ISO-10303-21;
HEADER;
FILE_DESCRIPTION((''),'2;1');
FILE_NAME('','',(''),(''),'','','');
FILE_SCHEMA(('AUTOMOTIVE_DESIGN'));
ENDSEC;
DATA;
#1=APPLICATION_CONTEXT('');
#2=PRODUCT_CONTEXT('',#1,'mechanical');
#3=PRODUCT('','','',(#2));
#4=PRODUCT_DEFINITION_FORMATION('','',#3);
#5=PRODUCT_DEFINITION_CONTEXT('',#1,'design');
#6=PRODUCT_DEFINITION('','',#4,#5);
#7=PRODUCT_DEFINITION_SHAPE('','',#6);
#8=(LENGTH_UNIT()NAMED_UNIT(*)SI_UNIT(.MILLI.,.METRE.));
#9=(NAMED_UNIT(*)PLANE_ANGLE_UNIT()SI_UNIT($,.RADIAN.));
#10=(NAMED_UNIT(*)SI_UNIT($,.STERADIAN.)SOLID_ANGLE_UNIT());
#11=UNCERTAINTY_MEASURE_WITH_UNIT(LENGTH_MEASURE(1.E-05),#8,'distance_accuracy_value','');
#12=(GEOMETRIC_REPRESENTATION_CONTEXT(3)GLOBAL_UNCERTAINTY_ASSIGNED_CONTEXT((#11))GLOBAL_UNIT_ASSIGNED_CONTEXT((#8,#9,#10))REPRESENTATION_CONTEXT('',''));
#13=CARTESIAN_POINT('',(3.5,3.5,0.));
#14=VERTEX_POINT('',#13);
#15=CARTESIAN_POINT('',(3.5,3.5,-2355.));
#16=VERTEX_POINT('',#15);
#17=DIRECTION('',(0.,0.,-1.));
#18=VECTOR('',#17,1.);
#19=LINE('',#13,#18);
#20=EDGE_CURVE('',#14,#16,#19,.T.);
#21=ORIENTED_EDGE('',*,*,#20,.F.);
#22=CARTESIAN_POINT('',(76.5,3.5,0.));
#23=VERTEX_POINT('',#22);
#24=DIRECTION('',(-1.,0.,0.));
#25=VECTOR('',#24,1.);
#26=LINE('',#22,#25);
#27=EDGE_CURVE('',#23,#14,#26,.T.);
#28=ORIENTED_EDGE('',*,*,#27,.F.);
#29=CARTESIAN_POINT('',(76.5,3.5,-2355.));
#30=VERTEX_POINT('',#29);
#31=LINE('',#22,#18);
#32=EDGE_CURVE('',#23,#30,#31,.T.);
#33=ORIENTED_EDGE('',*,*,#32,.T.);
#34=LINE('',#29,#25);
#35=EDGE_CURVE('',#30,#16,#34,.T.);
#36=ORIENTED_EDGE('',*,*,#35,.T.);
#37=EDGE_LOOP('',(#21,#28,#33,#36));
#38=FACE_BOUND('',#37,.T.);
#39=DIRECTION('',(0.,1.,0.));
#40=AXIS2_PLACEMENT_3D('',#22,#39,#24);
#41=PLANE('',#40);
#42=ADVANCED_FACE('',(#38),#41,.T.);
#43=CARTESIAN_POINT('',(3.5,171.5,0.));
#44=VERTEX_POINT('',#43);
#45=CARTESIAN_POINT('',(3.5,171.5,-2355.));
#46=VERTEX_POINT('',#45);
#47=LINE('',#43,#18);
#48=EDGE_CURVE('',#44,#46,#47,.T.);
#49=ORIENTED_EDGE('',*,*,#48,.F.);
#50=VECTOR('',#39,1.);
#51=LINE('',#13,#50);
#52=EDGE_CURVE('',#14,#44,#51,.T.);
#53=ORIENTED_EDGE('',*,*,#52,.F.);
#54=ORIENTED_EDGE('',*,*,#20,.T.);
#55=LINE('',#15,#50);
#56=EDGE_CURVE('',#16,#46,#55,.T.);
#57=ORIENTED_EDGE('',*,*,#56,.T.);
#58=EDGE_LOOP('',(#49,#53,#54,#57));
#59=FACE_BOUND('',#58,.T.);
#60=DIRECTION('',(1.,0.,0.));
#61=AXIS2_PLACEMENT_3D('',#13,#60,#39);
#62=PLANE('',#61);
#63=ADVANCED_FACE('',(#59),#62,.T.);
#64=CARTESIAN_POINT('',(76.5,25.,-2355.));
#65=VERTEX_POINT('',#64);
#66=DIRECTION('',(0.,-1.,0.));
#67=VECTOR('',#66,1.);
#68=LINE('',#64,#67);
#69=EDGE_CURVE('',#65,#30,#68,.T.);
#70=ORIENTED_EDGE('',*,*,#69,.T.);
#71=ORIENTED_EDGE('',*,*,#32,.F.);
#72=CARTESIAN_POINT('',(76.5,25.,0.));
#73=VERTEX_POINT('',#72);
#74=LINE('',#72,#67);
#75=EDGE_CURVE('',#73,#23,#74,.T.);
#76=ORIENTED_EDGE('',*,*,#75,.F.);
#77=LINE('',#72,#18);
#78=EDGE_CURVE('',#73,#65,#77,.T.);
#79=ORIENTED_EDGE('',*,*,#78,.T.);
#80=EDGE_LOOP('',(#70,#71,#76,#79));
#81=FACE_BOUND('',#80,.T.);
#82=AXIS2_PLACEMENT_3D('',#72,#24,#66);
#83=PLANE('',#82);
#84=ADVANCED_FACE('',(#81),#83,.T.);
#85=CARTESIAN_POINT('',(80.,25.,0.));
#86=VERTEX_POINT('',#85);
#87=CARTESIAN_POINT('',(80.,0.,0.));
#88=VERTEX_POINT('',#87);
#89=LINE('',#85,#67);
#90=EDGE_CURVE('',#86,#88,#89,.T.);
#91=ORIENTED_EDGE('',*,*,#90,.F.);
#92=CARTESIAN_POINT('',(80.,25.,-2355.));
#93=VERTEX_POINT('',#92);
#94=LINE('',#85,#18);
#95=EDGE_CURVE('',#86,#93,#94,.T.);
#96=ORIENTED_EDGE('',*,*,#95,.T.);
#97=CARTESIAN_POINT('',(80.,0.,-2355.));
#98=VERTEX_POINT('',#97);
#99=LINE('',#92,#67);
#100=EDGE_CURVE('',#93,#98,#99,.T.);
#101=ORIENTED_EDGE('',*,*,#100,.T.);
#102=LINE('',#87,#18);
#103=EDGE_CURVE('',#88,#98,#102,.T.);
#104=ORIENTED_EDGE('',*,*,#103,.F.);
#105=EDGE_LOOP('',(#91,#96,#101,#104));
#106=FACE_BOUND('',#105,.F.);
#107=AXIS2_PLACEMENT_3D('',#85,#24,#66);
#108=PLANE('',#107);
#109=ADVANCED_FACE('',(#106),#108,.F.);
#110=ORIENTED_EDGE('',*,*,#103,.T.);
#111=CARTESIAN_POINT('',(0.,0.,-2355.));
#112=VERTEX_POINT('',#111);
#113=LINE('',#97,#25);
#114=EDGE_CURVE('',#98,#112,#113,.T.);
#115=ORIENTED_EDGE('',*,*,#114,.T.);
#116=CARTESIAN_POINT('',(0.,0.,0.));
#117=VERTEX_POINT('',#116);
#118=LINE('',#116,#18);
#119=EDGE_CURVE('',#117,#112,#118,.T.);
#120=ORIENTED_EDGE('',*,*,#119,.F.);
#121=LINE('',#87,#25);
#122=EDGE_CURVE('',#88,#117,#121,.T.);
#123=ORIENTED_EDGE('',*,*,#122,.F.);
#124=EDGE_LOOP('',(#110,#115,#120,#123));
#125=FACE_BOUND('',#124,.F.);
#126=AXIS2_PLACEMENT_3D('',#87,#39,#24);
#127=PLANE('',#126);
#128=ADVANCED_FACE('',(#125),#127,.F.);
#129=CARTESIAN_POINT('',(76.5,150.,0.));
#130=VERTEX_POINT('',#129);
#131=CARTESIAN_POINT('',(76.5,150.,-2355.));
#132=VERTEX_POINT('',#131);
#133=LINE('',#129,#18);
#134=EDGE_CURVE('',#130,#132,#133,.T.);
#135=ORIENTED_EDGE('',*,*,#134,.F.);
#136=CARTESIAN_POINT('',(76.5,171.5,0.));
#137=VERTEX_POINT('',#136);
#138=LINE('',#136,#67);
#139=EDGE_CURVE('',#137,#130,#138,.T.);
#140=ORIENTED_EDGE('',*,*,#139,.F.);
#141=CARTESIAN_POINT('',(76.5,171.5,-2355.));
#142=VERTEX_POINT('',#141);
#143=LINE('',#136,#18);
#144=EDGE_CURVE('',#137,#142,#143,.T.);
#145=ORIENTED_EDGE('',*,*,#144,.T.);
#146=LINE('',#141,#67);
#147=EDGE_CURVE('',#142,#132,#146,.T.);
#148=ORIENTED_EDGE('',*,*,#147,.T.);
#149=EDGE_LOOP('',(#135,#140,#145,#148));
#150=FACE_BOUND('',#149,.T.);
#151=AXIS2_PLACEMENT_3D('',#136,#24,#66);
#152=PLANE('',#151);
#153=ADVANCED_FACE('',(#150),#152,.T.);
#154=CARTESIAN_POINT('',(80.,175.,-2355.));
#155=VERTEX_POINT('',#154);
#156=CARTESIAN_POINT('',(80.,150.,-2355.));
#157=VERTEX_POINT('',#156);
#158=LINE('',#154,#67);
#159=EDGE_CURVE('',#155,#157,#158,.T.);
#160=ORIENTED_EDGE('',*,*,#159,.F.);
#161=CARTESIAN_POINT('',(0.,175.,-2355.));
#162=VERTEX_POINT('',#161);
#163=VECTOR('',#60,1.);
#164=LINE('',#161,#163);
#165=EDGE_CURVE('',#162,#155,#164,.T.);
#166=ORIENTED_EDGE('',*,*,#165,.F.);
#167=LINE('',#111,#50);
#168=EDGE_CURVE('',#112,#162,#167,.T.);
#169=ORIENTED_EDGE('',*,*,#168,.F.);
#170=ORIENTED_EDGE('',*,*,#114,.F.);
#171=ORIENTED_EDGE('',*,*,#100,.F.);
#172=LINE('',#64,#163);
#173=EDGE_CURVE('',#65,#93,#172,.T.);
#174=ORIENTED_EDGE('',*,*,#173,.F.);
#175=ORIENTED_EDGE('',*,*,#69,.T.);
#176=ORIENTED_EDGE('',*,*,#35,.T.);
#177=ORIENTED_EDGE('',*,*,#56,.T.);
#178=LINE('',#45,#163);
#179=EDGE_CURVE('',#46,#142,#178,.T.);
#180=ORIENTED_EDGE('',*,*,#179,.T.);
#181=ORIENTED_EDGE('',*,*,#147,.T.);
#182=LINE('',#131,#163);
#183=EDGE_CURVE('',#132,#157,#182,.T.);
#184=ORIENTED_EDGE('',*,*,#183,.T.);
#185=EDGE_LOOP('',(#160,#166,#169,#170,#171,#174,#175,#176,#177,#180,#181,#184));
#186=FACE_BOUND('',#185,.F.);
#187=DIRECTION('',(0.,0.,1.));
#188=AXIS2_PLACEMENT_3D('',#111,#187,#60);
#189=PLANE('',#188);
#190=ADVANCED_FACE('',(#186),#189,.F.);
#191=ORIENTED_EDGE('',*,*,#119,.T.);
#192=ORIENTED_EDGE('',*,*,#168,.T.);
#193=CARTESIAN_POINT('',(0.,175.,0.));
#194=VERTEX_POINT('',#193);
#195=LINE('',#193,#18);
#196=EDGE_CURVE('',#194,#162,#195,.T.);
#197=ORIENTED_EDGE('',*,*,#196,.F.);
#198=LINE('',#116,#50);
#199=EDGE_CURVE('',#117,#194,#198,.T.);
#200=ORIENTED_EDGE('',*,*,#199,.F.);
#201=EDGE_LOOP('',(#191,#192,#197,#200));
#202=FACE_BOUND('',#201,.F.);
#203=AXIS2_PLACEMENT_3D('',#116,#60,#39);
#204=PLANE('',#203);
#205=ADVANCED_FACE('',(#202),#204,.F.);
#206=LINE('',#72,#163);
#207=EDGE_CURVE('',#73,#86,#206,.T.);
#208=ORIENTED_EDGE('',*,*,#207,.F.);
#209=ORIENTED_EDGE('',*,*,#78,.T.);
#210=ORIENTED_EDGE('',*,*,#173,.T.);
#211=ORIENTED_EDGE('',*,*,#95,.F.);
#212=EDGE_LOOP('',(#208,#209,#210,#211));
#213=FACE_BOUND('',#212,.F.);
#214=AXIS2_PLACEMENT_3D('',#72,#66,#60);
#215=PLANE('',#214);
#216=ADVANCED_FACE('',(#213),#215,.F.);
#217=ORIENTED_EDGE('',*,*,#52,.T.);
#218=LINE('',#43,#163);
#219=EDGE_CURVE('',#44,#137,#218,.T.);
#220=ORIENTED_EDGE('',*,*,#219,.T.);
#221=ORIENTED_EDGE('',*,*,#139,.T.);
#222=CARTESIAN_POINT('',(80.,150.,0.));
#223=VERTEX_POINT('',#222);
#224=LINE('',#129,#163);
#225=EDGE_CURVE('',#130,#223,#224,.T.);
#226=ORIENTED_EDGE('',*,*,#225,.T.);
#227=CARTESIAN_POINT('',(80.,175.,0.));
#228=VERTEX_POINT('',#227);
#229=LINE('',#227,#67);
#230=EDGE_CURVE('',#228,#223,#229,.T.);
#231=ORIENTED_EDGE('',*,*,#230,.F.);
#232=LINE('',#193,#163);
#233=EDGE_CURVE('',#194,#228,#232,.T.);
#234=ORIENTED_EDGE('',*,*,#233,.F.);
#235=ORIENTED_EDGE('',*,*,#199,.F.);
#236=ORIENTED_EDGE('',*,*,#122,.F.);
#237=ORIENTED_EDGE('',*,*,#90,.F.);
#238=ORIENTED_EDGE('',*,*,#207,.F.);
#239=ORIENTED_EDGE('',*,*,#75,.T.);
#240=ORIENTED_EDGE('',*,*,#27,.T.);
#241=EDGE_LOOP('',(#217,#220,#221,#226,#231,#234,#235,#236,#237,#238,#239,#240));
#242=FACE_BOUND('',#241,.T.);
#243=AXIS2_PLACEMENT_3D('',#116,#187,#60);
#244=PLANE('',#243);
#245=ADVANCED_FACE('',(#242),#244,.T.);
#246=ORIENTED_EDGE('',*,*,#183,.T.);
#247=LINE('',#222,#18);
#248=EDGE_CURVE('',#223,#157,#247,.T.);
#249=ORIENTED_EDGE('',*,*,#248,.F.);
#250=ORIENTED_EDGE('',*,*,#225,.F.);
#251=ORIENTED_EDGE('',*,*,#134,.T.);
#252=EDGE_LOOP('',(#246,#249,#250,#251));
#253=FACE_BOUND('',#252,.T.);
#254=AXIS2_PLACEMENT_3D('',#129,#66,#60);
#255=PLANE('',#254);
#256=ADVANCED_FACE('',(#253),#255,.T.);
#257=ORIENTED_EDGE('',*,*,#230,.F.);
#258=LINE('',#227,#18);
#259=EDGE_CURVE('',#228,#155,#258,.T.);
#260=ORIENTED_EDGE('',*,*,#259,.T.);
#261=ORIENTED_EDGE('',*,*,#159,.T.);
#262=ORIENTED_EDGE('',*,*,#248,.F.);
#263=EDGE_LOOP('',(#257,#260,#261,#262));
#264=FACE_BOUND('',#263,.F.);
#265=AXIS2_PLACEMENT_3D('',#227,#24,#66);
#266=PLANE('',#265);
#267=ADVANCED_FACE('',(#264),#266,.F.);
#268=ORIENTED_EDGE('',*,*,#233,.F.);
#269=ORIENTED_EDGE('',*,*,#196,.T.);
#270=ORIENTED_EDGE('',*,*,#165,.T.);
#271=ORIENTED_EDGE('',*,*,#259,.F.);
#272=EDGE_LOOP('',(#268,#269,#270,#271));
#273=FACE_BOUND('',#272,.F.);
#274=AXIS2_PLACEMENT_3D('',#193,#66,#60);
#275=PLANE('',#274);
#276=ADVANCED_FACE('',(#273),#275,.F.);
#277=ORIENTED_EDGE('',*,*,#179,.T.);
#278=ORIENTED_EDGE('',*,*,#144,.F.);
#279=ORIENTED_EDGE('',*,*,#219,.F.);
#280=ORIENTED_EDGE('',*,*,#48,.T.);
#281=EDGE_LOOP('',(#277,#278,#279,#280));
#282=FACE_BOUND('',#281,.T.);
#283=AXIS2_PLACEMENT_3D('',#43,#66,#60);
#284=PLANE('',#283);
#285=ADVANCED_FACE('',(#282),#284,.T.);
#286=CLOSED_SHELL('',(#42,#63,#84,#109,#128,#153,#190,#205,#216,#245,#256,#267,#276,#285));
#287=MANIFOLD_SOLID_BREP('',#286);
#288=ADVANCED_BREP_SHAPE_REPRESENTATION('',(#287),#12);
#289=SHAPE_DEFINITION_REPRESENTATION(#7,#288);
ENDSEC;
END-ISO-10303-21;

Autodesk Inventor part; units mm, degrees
ref_plane "YZ Plane" through (0, 0, 0) normal (1, 0, 0) x (0, 1, 0)
ref_plane "XZ Plane" through (0, 0, 0) normal (0, 1, 0) x (-1, 0, 0)
ref_plane "XY Plane" through (0, 0, 0) normal (0, 0, 1) x (1, 0, 0)
sketch "Sketch1" plane through (0, 0, 0) normal (0, 0, 1) x (1, 0, 0)
  line L0 (80, 25) -> (80, 0)
  line L1 (80, 0) -> (0, 0)
  line L2 (0, 0) -> (0, 175)
  line L3 (0, 175) -> (80, 175)
  line L4 (80, 175) -> (80, 150)
  line L5 (76.5, 25) -> (76.5, 3.5)
  line L6 (76.5, 3.5) -> (3.5, 3.5)
  line L7 (3.5, 3.5) -> (3.5, 171.5)
  line L8 (3.5, 171.5) -> (76.5, 171.5)
  line L9 (76.5, 171.5) -> (76.5, 150)
  line L10 (76.5, 150) -> (80, 150)
  line L11 (76.5, 25) -> (80, 25)
  dimension "d0" = 80
  dimension "d1" = 175
  dimension "d2" = 25
  dimension "d3" = 25
  dimension "d4" = 3.5
extrude "Extrusion1" add sketch "Sketch1" against normal blind 2355
properties part number "c150x43x15"
